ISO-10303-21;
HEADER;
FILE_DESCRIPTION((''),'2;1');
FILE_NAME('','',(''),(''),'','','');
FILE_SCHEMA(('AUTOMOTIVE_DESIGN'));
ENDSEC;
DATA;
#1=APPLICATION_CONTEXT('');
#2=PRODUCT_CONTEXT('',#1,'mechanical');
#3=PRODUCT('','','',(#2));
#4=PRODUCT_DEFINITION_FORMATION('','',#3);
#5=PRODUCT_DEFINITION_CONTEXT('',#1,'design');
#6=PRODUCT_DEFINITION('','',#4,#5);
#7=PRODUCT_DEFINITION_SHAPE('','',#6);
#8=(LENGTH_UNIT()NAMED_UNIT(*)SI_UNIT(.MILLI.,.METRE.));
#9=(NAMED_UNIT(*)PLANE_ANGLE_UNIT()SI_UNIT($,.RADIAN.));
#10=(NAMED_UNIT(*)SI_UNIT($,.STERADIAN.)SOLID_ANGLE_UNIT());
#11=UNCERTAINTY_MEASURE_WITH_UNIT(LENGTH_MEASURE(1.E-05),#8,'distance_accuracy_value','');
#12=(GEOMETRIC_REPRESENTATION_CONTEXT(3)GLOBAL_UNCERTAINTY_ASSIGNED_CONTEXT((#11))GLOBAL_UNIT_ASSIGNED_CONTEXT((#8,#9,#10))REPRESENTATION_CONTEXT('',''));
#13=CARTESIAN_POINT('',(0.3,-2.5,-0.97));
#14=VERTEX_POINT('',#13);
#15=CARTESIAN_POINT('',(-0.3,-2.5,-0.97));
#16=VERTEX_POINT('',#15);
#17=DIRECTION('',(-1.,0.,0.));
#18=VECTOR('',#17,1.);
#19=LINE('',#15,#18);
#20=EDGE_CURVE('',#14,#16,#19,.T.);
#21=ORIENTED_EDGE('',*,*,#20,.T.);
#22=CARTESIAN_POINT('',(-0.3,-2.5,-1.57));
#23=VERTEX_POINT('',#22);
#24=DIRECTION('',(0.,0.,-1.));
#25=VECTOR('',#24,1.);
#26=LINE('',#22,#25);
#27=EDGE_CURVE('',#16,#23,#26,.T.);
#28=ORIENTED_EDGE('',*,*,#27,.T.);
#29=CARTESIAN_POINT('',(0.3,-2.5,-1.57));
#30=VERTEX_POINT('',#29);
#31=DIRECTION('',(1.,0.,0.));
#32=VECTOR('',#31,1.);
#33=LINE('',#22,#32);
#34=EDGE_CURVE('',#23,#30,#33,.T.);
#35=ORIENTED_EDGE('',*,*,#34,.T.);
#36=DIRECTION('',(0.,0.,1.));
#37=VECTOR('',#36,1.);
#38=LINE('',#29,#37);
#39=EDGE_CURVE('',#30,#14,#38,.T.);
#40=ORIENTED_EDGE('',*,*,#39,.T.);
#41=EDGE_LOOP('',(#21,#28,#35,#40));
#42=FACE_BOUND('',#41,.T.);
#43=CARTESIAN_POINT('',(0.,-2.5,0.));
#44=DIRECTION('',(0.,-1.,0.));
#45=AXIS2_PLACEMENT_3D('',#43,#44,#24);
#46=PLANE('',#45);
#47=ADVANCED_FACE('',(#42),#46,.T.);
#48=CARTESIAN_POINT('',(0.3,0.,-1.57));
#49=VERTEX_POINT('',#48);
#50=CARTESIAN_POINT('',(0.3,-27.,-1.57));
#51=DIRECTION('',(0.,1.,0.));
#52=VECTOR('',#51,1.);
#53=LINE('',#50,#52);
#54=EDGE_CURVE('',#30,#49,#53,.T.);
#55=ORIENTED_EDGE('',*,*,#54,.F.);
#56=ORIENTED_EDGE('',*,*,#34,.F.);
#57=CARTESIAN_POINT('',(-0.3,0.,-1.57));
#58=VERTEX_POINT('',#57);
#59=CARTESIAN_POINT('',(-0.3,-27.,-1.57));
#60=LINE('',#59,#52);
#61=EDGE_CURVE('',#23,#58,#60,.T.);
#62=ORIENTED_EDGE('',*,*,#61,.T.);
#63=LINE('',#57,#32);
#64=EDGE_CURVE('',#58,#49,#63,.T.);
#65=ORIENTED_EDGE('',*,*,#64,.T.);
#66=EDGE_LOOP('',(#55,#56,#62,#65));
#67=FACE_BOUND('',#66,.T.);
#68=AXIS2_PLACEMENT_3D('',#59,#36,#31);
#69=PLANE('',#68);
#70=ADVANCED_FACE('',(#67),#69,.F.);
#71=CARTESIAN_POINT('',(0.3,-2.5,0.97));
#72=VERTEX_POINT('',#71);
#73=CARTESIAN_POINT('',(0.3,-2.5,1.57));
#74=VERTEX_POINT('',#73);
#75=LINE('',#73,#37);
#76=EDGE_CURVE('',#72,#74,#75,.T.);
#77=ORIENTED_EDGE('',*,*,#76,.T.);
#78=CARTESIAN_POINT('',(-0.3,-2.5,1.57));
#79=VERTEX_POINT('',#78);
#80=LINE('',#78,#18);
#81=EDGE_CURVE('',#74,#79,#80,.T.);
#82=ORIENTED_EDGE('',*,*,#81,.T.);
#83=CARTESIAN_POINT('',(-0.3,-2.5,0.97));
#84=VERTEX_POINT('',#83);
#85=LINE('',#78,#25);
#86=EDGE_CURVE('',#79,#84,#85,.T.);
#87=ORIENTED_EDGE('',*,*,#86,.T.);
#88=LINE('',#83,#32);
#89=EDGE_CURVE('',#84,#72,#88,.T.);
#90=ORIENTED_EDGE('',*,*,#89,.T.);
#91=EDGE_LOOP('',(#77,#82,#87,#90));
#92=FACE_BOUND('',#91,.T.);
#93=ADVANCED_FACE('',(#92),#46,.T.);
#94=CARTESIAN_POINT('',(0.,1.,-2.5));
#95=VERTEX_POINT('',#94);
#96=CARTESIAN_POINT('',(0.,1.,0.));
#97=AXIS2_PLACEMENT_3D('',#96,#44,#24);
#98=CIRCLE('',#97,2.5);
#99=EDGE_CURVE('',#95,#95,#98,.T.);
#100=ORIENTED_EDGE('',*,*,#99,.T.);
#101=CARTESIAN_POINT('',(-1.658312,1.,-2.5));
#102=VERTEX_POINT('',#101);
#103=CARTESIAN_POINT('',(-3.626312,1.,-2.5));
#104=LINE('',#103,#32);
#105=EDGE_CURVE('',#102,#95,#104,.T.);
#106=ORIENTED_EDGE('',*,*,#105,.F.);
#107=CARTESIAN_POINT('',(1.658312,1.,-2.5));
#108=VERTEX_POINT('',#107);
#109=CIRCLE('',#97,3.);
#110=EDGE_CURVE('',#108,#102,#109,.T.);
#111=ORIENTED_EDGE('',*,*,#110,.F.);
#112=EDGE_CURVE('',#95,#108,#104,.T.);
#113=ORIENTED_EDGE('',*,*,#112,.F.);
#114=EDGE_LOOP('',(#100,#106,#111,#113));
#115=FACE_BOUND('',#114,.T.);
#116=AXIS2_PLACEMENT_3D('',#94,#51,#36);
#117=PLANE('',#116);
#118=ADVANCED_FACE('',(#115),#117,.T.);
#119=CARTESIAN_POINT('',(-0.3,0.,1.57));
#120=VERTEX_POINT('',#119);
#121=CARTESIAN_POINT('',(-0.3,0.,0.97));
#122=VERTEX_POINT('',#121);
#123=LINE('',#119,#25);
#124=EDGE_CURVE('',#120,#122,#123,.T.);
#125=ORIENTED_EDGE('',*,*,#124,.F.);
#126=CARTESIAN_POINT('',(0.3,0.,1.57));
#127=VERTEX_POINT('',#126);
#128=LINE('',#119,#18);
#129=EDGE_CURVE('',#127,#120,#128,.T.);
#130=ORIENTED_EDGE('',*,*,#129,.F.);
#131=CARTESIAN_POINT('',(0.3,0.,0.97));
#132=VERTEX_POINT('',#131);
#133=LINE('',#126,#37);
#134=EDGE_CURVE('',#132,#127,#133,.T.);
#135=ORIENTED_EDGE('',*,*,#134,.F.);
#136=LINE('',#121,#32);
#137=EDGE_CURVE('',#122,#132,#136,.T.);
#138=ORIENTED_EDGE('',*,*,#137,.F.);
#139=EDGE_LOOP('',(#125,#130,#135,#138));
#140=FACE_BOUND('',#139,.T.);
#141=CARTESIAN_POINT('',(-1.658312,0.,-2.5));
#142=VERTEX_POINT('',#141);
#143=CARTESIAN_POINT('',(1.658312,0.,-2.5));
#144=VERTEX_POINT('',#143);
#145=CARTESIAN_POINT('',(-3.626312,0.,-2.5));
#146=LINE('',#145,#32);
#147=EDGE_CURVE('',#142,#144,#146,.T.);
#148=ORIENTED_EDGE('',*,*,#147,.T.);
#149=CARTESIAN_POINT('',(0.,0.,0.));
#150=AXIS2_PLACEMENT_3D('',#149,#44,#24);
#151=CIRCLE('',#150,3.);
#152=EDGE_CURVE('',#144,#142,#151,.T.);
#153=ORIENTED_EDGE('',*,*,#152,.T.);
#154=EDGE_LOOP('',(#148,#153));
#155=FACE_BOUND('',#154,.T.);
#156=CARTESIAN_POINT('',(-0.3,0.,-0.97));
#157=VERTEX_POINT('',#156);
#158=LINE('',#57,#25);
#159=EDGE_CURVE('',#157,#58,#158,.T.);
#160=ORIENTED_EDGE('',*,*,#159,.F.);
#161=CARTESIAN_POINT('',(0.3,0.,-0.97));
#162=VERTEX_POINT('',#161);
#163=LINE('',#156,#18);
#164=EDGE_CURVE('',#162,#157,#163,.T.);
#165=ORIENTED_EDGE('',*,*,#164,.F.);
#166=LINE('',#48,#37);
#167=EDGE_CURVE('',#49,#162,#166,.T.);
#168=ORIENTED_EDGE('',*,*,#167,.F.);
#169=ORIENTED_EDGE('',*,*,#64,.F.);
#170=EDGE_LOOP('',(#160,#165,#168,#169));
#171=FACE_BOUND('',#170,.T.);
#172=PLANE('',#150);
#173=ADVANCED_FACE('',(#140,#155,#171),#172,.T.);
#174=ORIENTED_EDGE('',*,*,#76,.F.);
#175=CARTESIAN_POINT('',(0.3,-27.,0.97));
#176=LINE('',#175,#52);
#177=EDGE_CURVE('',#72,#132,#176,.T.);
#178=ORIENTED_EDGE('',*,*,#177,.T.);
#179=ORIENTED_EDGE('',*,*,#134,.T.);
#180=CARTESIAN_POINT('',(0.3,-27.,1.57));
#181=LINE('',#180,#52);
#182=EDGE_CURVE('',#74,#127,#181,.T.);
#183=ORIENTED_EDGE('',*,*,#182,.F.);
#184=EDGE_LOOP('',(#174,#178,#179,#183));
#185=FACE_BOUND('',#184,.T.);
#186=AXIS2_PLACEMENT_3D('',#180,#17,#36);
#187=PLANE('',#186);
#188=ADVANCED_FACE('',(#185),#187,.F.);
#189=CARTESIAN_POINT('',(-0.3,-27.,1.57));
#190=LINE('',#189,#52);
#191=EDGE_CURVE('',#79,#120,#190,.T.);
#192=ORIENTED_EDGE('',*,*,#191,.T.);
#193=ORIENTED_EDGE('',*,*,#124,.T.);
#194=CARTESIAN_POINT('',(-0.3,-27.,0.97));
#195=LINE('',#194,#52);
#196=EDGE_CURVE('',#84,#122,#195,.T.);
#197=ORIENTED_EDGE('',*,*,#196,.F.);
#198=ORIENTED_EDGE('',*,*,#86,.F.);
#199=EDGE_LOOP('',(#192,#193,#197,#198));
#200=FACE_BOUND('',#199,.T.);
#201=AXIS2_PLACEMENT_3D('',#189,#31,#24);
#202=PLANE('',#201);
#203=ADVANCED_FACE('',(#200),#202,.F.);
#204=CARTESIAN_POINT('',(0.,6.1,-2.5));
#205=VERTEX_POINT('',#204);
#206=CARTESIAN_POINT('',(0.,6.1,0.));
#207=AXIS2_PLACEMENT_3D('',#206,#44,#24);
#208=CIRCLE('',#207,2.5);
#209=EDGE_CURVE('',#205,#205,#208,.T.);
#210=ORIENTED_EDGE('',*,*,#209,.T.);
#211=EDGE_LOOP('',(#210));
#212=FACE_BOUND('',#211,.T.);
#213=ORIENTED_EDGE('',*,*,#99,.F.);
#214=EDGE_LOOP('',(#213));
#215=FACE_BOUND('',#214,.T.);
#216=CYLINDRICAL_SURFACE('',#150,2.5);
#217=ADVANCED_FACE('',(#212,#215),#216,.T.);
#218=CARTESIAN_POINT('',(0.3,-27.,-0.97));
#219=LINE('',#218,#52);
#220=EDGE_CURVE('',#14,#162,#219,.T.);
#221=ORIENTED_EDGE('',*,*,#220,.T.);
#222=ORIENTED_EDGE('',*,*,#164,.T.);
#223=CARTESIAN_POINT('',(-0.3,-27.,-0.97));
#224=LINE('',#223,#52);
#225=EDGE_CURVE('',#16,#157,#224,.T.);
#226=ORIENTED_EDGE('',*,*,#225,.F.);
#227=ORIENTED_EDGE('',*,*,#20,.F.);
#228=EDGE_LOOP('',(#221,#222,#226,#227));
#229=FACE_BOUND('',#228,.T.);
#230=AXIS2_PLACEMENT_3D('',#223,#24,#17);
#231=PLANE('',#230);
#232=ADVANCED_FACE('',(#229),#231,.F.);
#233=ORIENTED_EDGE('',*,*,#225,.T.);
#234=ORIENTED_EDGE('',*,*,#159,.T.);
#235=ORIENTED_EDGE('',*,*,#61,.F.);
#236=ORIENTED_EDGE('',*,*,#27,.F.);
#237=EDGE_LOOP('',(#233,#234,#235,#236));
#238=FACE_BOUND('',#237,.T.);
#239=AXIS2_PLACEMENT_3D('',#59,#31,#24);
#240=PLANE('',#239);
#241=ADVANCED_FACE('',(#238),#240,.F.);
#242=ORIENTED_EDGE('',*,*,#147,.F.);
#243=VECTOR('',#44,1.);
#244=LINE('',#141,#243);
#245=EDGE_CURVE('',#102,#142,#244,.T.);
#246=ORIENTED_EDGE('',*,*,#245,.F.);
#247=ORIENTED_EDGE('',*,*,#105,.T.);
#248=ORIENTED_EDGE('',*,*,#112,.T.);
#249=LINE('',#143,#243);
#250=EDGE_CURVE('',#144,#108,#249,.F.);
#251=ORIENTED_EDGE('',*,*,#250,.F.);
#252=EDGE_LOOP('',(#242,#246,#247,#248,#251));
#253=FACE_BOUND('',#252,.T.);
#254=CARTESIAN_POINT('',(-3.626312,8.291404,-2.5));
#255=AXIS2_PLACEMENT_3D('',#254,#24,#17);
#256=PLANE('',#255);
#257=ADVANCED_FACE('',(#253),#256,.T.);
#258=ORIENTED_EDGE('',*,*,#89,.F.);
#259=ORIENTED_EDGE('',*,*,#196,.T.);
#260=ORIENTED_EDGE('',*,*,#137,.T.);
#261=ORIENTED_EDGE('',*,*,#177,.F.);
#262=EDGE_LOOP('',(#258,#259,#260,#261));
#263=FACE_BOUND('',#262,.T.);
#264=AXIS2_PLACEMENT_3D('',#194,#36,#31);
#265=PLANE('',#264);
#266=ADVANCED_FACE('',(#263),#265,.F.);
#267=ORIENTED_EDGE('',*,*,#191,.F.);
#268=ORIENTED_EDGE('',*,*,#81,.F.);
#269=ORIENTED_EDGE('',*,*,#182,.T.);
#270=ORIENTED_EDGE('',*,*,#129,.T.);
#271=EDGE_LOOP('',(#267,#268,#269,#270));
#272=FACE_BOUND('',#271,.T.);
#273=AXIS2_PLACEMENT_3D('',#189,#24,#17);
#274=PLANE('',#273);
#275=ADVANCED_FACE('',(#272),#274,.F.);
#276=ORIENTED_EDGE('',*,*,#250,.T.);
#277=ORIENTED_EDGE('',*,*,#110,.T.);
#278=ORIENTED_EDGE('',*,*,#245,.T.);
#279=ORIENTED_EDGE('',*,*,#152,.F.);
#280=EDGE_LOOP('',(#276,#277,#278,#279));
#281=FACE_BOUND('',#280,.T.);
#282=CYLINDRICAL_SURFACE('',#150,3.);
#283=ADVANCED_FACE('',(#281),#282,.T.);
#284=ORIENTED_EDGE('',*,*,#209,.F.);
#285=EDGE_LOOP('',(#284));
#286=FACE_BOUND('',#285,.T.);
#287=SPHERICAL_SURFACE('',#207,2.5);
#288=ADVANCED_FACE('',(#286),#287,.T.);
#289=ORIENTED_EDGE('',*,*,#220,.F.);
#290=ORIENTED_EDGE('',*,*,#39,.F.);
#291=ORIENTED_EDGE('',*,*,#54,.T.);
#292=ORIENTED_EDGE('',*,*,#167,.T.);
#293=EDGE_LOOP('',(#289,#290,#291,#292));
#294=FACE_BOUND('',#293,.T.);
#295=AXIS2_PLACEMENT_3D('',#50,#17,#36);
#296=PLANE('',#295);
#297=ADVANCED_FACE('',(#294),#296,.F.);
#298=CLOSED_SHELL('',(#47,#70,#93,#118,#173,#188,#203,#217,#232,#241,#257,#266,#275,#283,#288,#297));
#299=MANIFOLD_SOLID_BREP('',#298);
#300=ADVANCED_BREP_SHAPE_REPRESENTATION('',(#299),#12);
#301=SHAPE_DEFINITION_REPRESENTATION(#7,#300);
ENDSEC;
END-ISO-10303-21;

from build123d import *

# Parameters (mm, degrees)
ESBO_O4_W                = 7.252623502
ESBO_O4_H                = 0.751020135
CORTE_EXTRUS_O1_DEPTH    = 1
ESBO_O5_W                = 0.6
ESBO_O5_H                = 0.6
RESSALTO_EXTRUS_O1_DEPTH = 27
ESBO_O6_W                = 0.6
ESBO_O6_H                = 0.6
CORTE_EXTRUS_O2_DEPTH    = 1.5
ESBO_O27_R               = 4.624654595
CORTE_EXTRUS_O3_DEPTH    = 24.5


with BuildPart() as part:
    # Esboço1 → Revolução1 (revolve)
    with BuildSketch(Plane(origin=(0, 0, 0), x_dir=(0, 0, -1), z_dir=(1, 0, 0))):
        with BuildLine():
            Line((0, 0), (0, 8.6))
            ThreePointArc((0, 8.6), (1.767766953, 7.867766953), (2.5, 6.1))
            Line((2.5, 6.1), (2.5, 1))
            Line((2.5, 1), (3, 1))
            Line((3, 1), (3, 0))
            Line((3, 0), (0, 0))
        make_face()
    revolve(axis=Axis((0, 0, 0), (0, 1, 0)))

    # Esboço4 → Corte-extrusão1 (cut)
    with BuildSketch(Plane(origin=(0, 0, 0), x_dir=(1, 0, 0), z_dir=(0, 1, 0))):
        with Locations((0, 2.875510068)):
            Rectangle(ESBO_O4_W, ESBO_O4_H)
    extrude(amount=CORTE_EXTRUS_O1_DEPTH, mode=Mode.SUBTRACT)

    # Esboço5 → Ressalto-extrusão1 (add)
    with BuildSketch(Plane.XZ):
        with Locations((0, 1.27)):
            Rectangle(ESBO_O5_W, ESBO_O5_H)
        with Locations((0, -1.27)):
            Rectangle(ESBO_O5_W, ESBO_O5_H)
    extrude(amount=RESSALTO_EXTRUS_O1_DEPTH)

    # Esboço6 → Corte-extrusão2 (cut)
    with BuildSketch(Plane.XZ.offset(27)):
        with Locations((0, -1.27)):
            Rectangle(ESBO_O6_W, ESBO_O6_H)
    extrude(amount=-CORTE_EXTRUS_O2_DEPTH, mode=Mode.SUBTRACT)

    # Esboço27 → Corte-extrusão3 (cut)
    with BuildSketch(Plane.XZ.offset(27)):
        Circle(ESBO_O27_R)
    extrude(amount=-CORTE_EXTRUS_O3_DEPTH, mode=Mode.SUBTRACT)


solid = part.part
